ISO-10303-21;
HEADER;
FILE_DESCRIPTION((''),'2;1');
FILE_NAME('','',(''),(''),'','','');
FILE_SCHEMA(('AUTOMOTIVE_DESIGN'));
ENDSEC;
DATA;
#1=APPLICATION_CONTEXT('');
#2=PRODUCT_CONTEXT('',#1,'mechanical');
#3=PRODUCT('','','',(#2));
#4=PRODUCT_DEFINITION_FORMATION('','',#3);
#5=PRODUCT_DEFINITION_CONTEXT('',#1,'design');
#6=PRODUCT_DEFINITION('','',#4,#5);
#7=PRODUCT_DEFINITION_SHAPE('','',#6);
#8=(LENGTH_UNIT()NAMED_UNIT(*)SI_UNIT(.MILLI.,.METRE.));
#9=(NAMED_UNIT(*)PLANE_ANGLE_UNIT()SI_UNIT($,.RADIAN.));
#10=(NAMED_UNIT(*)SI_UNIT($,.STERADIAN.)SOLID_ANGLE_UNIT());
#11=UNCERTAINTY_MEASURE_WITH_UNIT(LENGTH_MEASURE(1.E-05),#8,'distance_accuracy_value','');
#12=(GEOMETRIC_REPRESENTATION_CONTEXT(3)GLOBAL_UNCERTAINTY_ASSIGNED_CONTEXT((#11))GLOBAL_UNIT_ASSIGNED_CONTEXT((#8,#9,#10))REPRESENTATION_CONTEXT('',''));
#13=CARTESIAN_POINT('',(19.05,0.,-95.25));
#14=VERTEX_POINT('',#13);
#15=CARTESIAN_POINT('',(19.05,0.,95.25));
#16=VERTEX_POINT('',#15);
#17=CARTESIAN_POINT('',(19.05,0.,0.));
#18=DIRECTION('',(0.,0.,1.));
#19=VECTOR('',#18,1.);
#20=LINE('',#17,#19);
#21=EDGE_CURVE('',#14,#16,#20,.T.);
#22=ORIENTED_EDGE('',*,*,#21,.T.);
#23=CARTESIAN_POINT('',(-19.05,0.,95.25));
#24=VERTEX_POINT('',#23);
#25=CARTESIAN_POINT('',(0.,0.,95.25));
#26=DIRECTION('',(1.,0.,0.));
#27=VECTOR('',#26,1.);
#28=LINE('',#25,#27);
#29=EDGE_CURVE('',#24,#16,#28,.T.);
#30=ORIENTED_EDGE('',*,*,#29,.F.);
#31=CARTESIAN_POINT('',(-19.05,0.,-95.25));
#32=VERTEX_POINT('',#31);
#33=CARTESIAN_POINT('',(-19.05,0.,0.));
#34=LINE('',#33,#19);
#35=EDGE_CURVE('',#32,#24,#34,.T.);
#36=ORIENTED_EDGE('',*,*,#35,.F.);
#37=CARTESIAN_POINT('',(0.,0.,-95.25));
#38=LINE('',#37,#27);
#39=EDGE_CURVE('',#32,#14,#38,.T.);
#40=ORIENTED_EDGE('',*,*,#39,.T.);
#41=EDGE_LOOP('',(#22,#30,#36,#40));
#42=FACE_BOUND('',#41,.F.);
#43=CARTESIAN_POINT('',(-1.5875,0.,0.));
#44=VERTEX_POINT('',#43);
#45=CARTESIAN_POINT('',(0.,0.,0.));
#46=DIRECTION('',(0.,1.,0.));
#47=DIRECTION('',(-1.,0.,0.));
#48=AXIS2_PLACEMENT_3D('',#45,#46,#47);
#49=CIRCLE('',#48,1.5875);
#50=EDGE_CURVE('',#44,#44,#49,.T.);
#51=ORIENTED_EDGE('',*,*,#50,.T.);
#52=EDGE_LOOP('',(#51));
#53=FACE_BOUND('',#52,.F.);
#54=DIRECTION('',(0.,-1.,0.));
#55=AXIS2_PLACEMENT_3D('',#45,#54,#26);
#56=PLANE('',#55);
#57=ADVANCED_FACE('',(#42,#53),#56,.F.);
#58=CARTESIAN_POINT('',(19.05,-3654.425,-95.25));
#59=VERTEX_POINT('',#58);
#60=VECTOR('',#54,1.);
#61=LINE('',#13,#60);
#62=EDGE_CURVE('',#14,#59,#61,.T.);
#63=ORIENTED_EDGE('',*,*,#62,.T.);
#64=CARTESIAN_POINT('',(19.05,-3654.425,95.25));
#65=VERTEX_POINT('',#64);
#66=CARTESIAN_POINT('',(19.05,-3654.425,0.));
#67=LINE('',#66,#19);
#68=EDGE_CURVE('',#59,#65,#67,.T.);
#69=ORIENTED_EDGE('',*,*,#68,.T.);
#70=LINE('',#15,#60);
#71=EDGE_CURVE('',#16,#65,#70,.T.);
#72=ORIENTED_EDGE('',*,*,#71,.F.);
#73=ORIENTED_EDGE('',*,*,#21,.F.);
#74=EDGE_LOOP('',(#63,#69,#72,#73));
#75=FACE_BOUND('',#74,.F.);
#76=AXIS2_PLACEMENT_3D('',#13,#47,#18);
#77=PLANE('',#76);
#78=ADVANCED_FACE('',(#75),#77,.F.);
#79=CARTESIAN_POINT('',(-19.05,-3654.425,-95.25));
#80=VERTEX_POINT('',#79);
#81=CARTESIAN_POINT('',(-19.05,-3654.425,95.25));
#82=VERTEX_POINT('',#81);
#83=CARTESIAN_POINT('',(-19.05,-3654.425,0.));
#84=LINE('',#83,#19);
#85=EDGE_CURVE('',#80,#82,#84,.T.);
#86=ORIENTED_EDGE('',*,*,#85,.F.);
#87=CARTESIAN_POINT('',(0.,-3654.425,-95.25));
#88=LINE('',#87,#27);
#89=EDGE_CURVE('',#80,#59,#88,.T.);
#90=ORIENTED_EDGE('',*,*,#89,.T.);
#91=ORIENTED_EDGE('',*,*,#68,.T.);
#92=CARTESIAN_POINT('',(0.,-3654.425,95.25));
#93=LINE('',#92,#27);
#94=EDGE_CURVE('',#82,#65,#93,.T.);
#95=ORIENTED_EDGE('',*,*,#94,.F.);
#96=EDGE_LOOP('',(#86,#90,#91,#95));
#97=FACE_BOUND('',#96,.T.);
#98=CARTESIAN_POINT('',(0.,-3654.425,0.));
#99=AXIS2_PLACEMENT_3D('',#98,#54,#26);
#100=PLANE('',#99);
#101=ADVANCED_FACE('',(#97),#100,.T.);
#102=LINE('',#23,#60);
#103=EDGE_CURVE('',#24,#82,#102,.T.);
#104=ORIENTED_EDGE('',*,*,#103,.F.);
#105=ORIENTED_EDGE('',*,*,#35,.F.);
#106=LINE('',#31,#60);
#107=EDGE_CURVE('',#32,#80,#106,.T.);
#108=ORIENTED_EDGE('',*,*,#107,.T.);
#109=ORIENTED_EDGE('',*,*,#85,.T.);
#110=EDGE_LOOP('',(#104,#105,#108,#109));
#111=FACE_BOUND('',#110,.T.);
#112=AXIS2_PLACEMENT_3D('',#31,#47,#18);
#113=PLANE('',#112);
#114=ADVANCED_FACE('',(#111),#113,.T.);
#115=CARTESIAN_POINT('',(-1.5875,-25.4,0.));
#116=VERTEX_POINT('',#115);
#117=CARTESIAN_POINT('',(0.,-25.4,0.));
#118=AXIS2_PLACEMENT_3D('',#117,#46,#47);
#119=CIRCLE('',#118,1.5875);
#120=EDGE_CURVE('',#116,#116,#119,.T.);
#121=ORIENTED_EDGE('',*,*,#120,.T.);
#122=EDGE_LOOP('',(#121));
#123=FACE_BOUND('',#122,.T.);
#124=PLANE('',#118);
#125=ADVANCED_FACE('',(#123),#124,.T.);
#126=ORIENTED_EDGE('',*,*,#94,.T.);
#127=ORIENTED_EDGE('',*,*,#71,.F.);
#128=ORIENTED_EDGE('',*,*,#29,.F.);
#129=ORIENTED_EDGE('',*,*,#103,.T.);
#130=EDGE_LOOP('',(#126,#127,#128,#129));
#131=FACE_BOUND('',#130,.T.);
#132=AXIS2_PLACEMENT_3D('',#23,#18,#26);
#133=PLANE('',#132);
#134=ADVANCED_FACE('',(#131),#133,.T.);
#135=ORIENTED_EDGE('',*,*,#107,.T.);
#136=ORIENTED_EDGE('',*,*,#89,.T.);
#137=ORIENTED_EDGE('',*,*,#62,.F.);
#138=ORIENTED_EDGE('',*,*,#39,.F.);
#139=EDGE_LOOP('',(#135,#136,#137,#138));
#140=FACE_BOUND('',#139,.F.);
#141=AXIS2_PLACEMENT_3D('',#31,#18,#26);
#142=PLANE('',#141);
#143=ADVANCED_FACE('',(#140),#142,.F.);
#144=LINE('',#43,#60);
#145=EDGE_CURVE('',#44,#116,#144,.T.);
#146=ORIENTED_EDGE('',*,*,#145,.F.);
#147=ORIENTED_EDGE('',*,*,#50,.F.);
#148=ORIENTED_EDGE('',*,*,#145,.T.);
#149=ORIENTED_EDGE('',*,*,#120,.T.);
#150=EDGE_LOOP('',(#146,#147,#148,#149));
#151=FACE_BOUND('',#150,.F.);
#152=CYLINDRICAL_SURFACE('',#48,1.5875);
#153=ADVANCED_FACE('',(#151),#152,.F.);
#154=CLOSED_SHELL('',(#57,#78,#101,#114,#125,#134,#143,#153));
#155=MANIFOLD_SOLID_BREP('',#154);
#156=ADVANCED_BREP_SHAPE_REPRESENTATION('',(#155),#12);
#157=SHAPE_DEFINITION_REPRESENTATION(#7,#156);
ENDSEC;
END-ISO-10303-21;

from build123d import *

# Parameters (mm, degrees)
F0_W     = 38.1
F0_H     = 190.5
F1_DEPTH = 3654.425
F2_R     = 1.5875
F3_DEPTH = 25.4


with BuildPart() as f1:
    # F0 (on Front) → F1 (new body)
    with BuildSketch(Plane.XZ):
        Rectangle(F0_W, F0_H)
    extrude(amount=F1_DEPTH)

    # F2 (on face) → F3 (cut)
    with BuildSketch(Plane(origin=(0, 0, 0), x_dir=(-1, 0, 0), z_dir=(0, 1, 0))):
        Circle(F2_R)
    extrude(amount=-F3_DEPTH, mode=Mode.SUBTRACT)


solid = f1.part
